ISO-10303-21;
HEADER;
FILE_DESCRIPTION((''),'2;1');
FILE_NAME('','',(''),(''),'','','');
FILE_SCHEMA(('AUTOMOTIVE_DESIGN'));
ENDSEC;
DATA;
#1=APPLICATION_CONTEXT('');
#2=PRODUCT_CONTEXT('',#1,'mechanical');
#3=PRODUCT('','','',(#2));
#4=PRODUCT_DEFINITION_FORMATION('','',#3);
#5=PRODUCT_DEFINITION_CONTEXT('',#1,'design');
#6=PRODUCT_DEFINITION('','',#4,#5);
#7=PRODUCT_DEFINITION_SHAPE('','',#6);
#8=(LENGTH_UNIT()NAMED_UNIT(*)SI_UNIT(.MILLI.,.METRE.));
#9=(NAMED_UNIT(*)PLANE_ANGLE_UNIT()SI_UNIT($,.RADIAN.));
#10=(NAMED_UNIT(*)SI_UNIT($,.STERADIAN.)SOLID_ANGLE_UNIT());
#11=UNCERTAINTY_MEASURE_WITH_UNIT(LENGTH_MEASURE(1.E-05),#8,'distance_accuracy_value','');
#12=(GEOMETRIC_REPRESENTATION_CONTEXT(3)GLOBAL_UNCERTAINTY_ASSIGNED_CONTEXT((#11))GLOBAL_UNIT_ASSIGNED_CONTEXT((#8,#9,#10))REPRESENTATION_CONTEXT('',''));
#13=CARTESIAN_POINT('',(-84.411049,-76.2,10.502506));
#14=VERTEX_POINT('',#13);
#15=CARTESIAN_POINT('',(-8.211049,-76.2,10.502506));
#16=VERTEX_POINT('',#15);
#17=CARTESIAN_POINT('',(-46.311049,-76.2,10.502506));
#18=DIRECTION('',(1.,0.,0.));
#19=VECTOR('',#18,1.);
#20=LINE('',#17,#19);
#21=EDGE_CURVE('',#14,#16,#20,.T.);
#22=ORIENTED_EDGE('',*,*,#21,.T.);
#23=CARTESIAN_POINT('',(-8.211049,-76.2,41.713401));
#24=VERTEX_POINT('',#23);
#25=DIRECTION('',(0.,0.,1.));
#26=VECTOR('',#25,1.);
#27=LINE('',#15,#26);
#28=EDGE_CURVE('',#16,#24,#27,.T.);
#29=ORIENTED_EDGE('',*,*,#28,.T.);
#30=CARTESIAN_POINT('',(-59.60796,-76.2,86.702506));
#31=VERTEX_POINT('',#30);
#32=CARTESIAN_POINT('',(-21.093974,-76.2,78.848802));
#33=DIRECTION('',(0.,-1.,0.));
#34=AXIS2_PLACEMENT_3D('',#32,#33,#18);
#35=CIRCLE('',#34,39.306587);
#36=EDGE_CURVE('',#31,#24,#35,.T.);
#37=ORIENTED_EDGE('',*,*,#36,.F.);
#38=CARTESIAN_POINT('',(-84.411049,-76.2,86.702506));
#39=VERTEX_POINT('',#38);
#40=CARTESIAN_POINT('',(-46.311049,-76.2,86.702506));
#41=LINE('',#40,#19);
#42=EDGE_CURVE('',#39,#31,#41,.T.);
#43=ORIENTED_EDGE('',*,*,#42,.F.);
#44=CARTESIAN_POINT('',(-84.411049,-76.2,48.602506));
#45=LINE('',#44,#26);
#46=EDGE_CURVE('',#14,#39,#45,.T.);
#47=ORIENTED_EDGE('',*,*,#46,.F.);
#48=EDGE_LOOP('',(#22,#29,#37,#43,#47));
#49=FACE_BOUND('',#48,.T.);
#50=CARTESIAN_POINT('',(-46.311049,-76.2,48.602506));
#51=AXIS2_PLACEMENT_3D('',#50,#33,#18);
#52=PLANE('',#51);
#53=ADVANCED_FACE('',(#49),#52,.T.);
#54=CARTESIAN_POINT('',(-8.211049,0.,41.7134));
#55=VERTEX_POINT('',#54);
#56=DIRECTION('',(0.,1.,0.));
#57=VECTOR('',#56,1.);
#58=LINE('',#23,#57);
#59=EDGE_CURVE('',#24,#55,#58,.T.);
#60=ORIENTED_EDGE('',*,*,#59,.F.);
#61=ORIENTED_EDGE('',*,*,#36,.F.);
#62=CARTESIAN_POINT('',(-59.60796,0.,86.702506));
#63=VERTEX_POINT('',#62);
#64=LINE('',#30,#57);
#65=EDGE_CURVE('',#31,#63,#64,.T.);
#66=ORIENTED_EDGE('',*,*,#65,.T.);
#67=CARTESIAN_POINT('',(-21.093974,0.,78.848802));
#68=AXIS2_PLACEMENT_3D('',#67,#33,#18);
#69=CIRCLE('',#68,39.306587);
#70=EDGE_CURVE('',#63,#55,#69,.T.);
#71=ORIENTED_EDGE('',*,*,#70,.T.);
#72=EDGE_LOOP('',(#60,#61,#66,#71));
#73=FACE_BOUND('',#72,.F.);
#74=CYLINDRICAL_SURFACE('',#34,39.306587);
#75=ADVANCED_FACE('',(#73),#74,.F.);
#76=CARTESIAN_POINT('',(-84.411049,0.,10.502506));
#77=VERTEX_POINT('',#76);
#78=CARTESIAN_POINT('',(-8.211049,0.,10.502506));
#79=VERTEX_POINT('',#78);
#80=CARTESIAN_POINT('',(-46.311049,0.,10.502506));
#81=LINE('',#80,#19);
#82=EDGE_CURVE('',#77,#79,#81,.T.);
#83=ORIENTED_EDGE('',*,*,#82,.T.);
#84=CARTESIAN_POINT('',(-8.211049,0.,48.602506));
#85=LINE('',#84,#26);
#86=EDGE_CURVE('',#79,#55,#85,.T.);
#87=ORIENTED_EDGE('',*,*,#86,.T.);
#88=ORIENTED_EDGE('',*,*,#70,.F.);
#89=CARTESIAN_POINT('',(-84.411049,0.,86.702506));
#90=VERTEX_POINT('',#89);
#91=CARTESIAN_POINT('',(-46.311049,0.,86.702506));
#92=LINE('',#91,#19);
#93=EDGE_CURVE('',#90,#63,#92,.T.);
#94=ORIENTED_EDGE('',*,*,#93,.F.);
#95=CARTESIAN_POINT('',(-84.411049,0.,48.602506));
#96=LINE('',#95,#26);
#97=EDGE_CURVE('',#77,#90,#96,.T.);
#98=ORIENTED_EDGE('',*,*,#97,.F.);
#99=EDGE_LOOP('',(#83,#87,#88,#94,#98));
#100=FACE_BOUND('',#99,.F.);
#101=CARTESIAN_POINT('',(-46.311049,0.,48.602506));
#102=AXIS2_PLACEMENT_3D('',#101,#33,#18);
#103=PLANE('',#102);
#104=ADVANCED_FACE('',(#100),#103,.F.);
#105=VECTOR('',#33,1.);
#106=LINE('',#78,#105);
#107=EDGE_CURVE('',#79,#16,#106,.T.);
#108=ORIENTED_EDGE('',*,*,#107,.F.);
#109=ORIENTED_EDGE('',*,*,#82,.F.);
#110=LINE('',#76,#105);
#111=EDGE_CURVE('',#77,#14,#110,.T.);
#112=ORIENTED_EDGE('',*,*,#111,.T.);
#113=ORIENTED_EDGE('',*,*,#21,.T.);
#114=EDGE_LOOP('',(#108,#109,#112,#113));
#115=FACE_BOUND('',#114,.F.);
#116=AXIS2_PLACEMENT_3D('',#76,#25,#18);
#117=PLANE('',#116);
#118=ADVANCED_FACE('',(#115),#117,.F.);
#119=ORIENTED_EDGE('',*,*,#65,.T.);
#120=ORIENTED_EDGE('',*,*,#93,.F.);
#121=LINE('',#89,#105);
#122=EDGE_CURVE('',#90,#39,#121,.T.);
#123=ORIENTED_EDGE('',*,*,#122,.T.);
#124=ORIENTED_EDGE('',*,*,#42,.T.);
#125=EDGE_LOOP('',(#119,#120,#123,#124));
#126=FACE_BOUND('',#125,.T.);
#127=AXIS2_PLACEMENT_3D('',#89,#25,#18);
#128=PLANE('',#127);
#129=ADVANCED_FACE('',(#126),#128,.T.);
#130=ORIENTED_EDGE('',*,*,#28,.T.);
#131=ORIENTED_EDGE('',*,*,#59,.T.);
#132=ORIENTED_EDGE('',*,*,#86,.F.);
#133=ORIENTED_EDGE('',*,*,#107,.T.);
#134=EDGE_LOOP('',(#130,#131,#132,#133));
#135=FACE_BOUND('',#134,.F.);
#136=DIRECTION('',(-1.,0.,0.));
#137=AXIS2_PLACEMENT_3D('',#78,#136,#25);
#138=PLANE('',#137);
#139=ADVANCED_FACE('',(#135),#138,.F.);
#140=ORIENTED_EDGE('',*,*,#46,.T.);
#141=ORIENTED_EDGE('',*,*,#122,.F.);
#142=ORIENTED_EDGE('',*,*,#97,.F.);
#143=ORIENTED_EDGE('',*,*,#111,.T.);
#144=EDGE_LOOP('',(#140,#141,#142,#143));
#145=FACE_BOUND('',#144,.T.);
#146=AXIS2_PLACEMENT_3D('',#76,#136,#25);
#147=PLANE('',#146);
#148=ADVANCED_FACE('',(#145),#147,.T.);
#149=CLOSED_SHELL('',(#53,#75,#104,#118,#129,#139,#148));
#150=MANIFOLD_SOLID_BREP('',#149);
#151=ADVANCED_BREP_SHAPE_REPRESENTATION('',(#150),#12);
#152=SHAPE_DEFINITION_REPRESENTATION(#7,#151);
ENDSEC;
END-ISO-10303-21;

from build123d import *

# Parameters (mm, degrees)
F0_W     = 76.2
F0_H     = 76.2
F1_DEPTH = 76.2
F2_R     = 39.306587
F3_DEPTH = 101.6


with BuildPart() as f1:
    # F0 (on Front) → F1 (new body)
    with BuildSketch(Plane.XZ):
        with Locations((-46.311049, 48.602506)):
            Rectangle(F0_W, F0_H)
    extrude(amount=F1_DEPTH)

    # F2 (on face) → F3 (cut)
    with BuildSketch(Plane.XZ.offset(76.2)):
        with BuildLine():
            ThreePointArc((-8.211049, 41.7134), (10.932512, 56.060384), (18.212613, 78.848802))
            ThreePointArc((18.212613, 78.848802), (-17.147175, 117.956736), (-59.60796, 86.702506))
            Line((-59.60796, 86.702506), (-8.211049, 86.702506))
            Line((-8.211049, 86.702506), (-8.211049, 41.7134))
        make_face()
        with Locations((-21.093974, 78.848802)):
            Circle(F2_R)
    extrude(amount=-F3_DEPTH, mode=Mode.SUBTRACT)


solid = f1.part
